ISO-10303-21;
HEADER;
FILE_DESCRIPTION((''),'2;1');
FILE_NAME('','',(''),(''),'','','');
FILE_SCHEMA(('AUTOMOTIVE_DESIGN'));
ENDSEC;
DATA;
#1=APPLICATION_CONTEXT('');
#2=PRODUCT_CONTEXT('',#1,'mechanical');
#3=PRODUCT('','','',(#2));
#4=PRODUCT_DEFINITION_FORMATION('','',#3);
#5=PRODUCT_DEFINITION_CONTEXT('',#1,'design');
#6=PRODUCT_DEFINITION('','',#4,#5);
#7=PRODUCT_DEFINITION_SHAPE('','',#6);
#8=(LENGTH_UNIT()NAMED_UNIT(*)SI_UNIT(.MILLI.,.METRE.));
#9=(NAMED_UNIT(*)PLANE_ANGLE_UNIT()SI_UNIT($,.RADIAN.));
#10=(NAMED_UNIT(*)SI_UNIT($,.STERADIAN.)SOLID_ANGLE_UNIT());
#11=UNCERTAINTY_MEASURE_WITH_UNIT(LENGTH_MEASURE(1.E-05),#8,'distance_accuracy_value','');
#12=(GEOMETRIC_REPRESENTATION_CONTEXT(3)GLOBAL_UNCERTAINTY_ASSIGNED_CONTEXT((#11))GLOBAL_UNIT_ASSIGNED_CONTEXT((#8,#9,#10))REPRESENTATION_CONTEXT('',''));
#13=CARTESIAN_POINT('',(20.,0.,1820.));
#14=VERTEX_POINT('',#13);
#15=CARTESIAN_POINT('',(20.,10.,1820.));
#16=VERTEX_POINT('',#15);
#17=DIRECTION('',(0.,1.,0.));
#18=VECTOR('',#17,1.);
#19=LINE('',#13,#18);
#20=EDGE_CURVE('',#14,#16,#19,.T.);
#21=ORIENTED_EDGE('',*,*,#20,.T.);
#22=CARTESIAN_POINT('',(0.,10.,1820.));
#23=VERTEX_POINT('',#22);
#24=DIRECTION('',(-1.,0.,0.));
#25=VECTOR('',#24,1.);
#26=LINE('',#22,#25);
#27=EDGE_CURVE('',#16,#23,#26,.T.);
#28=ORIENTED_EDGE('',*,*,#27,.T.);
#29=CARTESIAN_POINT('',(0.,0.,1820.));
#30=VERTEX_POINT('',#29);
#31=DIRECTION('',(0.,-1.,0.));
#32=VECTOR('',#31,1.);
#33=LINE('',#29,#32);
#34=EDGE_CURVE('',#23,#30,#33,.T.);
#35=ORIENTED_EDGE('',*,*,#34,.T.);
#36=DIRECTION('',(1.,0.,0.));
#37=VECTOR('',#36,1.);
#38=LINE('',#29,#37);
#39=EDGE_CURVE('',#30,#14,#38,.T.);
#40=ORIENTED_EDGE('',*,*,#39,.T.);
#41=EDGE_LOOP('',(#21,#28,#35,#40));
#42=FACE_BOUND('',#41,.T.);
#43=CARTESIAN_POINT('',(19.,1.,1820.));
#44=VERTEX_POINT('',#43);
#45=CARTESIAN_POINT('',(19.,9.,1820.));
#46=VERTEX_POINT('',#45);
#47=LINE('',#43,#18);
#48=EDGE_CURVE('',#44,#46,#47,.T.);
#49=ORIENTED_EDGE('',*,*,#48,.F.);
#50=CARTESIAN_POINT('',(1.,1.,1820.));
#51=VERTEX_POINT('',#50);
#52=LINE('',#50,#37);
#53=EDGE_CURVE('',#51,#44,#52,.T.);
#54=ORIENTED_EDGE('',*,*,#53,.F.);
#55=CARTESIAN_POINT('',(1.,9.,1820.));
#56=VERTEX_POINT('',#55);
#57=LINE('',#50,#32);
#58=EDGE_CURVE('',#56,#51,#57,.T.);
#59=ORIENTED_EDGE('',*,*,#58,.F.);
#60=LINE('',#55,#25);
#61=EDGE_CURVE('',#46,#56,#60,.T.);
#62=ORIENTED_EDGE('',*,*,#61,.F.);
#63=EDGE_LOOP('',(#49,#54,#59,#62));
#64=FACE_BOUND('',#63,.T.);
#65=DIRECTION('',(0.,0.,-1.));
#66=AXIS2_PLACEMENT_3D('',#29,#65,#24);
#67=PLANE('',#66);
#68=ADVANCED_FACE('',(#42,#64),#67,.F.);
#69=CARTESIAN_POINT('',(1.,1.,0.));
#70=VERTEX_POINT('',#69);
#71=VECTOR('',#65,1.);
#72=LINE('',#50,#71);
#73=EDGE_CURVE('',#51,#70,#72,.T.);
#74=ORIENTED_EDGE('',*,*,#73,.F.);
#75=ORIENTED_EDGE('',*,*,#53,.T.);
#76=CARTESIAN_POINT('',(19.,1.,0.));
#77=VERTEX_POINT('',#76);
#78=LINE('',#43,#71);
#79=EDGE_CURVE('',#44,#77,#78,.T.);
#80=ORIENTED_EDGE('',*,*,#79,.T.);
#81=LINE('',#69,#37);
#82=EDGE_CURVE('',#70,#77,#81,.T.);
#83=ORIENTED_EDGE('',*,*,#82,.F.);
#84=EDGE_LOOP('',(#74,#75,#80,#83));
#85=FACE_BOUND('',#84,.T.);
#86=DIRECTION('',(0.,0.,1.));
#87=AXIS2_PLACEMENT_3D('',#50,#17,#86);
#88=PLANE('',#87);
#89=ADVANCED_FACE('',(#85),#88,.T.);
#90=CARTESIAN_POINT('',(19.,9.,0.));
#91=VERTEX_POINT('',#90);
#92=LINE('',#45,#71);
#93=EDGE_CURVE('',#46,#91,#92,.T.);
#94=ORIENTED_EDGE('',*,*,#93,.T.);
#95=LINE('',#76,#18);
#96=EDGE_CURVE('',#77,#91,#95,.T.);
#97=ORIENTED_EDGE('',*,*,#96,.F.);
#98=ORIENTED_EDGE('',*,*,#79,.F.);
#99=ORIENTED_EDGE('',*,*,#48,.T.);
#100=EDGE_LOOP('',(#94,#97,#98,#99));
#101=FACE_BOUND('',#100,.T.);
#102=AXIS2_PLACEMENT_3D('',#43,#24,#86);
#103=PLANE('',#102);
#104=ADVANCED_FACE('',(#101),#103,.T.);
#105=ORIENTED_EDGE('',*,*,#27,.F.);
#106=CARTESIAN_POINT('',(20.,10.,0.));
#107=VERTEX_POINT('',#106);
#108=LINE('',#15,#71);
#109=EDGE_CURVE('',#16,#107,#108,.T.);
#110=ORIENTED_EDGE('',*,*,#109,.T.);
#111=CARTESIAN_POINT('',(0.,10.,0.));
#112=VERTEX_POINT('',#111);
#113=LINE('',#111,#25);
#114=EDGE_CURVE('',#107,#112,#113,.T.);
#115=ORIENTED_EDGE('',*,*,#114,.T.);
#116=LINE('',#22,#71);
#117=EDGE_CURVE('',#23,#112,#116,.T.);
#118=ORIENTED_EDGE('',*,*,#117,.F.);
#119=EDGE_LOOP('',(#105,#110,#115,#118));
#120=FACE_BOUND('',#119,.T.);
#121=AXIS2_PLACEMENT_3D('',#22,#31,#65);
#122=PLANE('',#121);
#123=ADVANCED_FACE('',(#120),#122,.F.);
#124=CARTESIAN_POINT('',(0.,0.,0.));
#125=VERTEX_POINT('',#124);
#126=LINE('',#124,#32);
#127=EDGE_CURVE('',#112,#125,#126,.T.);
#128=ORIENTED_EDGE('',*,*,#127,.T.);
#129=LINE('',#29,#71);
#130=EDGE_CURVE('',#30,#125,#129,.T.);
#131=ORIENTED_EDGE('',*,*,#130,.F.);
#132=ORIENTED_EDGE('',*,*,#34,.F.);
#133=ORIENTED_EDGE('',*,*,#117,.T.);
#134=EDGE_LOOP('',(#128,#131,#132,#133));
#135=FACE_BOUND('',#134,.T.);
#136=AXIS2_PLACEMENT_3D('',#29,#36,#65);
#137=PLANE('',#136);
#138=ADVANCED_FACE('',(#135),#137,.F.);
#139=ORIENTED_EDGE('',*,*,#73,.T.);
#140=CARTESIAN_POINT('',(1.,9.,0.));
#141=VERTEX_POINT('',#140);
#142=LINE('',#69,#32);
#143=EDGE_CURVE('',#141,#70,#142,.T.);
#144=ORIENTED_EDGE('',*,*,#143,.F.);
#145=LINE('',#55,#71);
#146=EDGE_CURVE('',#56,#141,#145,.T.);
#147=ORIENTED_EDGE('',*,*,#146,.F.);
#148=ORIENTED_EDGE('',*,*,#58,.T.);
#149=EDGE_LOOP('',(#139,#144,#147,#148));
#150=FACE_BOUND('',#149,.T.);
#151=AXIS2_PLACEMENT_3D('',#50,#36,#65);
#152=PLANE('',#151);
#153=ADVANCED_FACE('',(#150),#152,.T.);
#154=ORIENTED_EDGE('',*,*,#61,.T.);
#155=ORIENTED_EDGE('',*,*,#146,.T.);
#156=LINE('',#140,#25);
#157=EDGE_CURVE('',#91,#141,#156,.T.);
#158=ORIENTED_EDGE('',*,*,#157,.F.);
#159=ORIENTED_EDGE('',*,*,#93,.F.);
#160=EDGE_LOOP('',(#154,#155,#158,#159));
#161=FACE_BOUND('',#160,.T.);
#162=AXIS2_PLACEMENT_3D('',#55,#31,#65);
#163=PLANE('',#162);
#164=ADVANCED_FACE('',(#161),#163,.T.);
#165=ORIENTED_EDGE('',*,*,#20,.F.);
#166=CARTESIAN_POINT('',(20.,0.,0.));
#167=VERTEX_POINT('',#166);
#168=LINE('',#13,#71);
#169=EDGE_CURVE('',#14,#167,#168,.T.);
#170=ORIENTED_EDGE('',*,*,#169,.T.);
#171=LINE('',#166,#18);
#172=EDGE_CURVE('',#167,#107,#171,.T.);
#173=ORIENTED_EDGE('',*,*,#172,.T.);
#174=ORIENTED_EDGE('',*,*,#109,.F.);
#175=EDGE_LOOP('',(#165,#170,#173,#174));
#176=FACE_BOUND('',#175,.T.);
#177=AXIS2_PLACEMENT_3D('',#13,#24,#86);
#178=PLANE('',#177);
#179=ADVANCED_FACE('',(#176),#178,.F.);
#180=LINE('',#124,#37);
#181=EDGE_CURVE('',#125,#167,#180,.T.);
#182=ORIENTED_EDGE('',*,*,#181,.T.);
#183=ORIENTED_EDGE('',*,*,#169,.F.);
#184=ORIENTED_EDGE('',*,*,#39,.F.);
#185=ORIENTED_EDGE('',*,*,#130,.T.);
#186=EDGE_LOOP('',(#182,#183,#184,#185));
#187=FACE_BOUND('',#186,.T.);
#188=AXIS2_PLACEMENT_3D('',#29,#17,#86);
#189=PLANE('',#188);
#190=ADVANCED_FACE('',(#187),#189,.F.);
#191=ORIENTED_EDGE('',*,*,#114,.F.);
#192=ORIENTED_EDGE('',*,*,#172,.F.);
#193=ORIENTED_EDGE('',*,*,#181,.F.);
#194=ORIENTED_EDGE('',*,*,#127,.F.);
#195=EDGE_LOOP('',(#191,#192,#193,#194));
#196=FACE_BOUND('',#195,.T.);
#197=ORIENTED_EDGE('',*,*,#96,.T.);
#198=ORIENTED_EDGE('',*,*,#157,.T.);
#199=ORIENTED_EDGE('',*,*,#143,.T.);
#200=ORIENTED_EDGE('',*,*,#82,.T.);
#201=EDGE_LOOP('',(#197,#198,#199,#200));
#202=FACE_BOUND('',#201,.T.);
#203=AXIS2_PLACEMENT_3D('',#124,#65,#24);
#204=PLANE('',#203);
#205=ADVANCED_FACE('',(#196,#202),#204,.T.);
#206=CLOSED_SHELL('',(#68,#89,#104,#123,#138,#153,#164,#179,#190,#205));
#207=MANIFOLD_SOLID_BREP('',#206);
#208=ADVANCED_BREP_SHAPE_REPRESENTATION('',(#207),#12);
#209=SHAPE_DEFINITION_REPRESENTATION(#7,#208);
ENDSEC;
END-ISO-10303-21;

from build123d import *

# Parameters (mm, degrees)
SKETCH_1_W      = 20
SKETCH_1_H      = 10
SKETCH_1_W_2    = 18
SKETCH_1_H_2    = 8
EXTRUDE_1_DEPTH = 1820


with BuildPart() as part:
    # 草图1 → 凸台-拉伸1 (new body)
    with BuildSketch(Plane.XY):
        with Locations((10, 5)):
            Rectangle(SKETCH_1_W, SKETCH_1_H)
        with Locations((10, 5)):
            Rectangle(SKETCH_1_W_2, SKETCH_1_H_2, mode=Mode.SUBTRACT)
    extrude(amount=EXTRUDE_1_DEPTH)


solid = part.part
